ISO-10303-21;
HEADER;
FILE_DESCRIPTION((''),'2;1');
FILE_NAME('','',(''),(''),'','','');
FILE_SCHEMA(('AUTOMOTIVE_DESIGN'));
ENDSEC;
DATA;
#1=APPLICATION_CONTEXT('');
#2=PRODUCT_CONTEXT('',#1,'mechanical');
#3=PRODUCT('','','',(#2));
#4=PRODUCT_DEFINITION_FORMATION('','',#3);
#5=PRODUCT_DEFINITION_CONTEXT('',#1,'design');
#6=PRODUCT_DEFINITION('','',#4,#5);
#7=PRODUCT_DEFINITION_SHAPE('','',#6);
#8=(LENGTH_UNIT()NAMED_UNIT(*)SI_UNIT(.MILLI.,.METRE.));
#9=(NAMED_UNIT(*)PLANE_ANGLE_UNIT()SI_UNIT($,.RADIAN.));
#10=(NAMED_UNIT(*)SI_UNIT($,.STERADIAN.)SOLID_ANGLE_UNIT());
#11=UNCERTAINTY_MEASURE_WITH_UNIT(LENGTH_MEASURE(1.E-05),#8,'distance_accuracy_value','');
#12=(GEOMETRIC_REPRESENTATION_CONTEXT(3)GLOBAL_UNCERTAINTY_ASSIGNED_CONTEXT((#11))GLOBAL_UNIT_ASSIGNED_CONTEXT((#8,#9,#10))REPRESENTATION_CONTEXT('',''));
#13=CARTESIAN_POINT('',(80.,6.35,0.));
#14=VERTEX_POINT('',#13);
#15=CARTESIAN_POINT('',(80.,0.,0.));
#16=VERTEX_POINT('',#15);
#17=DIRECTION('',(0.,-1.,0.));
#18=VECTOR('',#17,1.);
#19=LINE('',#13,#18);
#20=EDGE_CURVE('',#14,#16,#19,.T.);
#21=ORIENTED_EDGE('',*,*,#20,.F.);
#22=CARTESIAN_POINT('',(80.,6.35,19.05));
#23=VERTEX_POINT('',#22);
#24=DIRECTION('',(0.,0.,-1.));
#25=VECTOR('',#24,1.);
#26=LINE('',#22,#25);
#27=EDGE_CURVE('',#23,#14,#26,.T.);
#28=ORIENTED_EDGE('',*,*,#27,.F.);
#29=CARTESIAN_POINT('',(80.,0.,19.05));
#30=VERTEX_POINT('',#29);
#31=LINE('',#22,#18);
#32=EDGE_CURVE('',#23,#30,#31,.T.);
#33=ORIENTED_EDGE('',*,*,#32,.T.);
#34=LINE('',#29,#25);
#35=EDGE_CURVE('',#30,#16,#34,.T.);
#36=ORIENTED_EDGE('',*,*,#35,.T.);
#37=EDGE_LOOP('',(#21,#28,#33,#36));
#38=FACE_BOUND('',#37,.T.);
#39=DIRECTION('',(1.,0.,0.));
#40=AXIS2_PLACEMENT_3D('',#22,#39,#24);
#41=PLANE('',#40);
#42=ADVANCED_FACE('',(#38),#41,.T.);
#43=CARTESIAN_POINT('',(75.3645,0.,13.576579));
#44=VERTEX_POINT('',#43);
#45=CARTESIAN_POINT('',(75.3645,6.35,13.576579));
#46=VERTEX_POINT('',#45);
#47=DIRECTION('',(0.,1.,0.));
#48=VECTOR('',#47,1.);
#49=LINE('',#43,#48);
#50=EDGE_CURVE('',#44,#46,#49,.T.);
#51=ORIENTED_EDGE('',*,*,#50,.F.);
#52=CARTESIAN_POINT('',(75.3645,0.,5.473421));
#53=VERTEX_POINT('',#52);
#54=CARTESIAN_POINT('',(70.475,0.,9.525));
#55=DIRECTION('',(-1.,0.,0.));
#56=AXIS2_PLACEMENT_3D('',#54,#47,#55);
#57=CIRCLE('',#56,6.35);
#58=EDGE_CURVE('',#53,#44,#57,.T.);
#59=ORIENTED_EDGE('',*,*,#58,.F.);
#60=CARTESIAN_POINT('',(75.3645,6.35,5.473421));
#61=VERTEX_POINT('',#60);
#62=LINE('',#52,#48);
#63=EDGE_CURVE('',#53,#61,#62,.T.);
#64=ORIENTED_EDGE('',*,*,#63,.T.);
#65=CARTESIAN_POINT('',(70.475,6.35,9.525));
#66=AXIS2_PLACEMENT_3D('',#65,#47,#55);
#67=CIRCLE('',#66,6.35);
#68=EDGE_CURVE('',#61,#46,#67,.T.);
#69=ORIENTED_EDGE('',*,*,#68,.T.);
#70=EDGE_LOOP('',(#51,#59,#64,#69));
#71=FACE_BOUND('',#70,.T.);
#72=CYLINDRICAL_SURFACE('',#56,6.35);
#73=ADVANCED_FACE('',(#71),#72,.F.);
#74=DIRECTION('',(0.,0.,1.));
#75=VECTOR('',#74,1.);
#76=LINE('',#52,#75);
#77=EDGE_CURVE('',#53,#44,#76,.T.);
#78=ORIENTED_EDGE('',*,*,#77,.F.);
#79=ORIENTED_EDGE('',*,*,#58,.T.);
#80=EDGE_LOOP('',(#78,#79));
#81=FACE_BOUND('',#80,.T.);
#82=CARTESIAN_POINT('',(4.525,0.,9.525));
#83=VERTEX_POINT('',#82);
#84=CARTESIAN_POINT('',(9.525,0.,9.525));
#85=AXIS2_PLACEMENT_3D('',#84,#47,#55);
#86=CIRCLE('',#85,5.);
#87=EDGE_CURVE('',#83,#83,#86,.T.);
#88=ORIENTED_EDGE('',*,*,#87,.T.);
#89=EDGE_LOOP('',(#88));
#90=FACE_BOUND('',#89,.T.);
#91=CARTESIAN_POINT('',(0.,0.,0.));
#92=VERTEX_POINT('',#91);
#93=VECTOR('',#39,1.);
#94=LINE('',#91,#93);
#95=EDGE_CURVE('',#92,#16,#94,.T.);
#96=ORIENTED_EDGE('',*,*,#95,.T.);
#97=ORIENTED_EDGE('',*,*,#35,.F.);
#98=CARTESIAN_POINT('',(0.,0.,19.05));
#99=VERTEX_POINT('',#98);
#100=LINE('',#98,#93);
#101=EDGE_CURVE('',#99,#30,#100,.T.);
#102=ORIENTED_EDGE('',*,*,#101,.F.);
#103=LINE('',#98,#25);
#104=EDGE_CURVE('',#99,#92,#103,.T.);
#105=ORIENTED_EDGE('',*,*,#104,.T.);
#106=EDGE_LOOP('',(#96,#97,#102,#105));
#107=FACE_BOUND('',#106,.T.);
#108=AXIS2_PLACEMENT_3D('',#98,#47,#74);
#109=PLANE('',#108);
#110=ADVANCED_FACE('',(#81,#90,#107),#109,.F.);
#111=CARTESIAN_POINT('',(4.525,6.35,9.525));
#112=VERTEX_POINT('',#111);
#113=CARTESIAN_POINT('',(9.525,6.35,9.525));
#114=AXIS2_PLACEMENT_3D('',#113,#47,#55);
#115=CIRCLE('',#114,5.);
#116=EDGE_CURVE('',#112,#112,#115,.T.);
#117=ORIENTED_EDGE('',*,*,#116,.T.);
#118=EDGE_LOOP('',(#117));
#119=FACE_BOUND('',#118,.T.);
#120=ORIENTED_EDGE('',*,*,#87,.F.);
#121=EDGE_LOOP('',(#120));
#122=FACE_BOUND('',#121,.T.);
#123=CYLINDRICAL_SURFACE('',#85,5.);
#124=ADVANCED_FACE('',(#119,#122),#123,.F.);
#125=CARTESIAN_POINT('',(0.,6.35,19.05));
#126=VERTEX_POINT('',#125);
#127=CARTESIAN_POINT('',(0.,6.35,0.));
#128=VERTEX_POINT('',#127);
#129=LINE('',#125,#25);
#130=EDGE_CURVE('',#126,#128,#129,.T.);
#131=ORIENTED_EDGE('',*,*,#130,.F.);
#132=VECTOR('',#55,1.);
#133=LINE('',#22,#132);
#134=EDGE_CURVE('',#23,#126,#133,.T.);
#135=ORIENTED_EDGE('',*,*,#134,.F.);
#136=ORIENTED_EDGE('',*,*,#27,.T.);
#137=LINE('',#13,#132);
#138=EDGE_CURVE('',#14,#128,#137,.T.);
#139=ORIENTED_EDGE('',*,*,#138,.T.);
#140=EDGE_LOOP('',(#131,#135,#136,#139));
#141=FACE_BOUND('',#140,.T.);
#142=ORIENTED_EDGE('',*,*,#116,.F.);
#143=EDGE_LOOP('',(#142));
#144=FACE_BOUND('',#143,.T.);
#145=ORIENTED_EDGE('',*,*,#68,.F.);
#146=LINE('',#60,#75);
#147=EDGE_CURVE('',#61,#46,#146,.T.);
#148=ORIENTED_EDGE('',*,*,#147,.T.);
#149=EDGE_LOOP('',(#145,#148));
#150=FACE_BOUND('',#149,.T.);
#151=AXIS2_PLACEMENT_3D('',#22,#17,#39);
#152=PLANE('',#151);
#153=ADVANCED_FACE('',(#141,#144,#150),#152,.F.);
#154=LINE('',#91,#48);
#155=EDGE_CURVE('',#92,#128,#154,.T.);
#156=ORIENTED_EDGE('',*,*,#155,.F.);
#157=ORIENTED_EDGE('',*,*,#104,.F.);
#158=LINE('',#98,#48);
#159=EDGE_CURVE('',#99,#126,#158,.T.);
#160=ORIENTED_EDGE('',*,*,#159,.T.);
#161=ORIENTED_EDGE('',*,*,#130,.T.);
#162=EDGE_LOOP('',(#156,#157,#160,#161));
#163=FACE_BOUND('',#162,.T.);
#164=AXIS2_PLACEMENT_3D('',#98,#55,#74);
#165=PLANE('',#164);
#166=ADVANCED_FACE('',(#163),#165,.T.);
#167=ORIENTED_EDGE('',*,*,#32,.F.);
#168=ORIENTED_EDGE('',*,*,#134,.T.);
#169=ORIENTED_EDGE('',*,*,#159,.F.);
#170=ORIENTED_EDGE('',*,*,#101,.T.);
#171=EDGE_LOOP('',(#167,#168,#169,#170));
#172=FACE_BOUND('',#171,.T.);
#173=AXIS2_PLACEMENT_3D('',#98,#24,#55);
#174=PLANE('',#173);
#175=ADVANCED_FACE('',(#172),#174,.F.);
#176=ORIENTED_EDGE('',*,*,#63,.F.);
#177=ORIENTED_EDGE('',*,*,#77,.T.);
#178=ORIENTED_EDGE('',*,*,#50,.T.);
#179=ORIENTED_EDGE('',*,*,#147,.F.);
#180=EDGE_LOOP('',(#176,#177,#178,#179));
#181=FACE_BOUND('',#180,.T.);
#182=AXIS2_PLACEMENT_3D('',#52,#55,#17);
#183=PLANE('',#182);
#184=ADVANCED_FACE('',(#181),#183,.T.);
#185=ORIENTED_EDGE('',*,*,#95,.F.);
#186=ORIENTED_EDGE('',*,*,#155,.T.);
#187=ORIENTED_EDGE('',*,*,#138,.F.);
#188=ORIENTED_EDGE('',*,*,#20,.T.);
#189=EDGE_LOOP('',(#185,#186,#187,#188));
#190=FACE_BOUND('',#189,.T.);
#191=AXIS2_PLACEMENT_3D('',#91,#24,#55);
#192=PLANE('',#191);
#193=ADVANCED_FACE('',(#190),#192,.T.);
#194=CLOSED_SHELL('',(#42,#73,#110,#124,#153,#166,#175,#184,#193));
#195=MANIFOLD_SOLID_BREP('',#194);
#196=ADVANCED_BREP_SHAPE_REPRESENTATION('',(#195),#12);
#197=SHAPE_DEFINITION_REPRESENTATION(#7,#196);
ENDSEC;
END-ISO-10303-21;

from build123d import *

# Parameters (mm, degrees)
SKETCH1_W          = 80
SKETCH1_H          = 6.35
BASE_EXTRUDE_DEPTH = 19.05
CUT_EXTRUDE1_DEPTH = 83.481664629
SKETCH3_R          = 5
CUT_EXTRUDE2_DEPTH = 83.481664629


with BuildPart() as part:
    # Sketch1 → Base-Extrude (new body)
    with BuildSketch(Plane.XY):
        with Locations((40, 3.175)):
            Rectangle(SKETCH1_W, SKETCH1_H)
    extrude(amount=BASE_EXTRUDE_DEPTH)

    # Sketch2 → Cut-Extrude1 (cut, through all)
    with BuildSketch(Plane(origin=(0, 6.35, 0), x_dir=(-1, 0, 0), z_dir=(0, 1, 0))):
        with BuildLine():
            Line((-75.3645, 5.473421326), (-75.3645, 13.576578674))
            ThreePointArc((-75.3645, 13.576578674), (-64.125, 9.525), (-75.3645, 5.473421326))
        make_face()
    extrude(amount=-CUT_EXTRUDE1_DEPTH, mode=Mode.SUBTRACT)

    # Sketch3 → Cut-Extrude2 (cut, through all)
    with BuildSketch(Plane(origin=(0, 6.35, 0), x_dir=(-1, 0, 0), z_dir=(0, 1, 0))):
        with Locations((-9.525, 9.525)):
            Circle(SKETCH3_R)
    extrude(amount=-CUT_EXTRUDE2_DEPTH, mode=Mode.SUBTRACT)


solid = part.part
